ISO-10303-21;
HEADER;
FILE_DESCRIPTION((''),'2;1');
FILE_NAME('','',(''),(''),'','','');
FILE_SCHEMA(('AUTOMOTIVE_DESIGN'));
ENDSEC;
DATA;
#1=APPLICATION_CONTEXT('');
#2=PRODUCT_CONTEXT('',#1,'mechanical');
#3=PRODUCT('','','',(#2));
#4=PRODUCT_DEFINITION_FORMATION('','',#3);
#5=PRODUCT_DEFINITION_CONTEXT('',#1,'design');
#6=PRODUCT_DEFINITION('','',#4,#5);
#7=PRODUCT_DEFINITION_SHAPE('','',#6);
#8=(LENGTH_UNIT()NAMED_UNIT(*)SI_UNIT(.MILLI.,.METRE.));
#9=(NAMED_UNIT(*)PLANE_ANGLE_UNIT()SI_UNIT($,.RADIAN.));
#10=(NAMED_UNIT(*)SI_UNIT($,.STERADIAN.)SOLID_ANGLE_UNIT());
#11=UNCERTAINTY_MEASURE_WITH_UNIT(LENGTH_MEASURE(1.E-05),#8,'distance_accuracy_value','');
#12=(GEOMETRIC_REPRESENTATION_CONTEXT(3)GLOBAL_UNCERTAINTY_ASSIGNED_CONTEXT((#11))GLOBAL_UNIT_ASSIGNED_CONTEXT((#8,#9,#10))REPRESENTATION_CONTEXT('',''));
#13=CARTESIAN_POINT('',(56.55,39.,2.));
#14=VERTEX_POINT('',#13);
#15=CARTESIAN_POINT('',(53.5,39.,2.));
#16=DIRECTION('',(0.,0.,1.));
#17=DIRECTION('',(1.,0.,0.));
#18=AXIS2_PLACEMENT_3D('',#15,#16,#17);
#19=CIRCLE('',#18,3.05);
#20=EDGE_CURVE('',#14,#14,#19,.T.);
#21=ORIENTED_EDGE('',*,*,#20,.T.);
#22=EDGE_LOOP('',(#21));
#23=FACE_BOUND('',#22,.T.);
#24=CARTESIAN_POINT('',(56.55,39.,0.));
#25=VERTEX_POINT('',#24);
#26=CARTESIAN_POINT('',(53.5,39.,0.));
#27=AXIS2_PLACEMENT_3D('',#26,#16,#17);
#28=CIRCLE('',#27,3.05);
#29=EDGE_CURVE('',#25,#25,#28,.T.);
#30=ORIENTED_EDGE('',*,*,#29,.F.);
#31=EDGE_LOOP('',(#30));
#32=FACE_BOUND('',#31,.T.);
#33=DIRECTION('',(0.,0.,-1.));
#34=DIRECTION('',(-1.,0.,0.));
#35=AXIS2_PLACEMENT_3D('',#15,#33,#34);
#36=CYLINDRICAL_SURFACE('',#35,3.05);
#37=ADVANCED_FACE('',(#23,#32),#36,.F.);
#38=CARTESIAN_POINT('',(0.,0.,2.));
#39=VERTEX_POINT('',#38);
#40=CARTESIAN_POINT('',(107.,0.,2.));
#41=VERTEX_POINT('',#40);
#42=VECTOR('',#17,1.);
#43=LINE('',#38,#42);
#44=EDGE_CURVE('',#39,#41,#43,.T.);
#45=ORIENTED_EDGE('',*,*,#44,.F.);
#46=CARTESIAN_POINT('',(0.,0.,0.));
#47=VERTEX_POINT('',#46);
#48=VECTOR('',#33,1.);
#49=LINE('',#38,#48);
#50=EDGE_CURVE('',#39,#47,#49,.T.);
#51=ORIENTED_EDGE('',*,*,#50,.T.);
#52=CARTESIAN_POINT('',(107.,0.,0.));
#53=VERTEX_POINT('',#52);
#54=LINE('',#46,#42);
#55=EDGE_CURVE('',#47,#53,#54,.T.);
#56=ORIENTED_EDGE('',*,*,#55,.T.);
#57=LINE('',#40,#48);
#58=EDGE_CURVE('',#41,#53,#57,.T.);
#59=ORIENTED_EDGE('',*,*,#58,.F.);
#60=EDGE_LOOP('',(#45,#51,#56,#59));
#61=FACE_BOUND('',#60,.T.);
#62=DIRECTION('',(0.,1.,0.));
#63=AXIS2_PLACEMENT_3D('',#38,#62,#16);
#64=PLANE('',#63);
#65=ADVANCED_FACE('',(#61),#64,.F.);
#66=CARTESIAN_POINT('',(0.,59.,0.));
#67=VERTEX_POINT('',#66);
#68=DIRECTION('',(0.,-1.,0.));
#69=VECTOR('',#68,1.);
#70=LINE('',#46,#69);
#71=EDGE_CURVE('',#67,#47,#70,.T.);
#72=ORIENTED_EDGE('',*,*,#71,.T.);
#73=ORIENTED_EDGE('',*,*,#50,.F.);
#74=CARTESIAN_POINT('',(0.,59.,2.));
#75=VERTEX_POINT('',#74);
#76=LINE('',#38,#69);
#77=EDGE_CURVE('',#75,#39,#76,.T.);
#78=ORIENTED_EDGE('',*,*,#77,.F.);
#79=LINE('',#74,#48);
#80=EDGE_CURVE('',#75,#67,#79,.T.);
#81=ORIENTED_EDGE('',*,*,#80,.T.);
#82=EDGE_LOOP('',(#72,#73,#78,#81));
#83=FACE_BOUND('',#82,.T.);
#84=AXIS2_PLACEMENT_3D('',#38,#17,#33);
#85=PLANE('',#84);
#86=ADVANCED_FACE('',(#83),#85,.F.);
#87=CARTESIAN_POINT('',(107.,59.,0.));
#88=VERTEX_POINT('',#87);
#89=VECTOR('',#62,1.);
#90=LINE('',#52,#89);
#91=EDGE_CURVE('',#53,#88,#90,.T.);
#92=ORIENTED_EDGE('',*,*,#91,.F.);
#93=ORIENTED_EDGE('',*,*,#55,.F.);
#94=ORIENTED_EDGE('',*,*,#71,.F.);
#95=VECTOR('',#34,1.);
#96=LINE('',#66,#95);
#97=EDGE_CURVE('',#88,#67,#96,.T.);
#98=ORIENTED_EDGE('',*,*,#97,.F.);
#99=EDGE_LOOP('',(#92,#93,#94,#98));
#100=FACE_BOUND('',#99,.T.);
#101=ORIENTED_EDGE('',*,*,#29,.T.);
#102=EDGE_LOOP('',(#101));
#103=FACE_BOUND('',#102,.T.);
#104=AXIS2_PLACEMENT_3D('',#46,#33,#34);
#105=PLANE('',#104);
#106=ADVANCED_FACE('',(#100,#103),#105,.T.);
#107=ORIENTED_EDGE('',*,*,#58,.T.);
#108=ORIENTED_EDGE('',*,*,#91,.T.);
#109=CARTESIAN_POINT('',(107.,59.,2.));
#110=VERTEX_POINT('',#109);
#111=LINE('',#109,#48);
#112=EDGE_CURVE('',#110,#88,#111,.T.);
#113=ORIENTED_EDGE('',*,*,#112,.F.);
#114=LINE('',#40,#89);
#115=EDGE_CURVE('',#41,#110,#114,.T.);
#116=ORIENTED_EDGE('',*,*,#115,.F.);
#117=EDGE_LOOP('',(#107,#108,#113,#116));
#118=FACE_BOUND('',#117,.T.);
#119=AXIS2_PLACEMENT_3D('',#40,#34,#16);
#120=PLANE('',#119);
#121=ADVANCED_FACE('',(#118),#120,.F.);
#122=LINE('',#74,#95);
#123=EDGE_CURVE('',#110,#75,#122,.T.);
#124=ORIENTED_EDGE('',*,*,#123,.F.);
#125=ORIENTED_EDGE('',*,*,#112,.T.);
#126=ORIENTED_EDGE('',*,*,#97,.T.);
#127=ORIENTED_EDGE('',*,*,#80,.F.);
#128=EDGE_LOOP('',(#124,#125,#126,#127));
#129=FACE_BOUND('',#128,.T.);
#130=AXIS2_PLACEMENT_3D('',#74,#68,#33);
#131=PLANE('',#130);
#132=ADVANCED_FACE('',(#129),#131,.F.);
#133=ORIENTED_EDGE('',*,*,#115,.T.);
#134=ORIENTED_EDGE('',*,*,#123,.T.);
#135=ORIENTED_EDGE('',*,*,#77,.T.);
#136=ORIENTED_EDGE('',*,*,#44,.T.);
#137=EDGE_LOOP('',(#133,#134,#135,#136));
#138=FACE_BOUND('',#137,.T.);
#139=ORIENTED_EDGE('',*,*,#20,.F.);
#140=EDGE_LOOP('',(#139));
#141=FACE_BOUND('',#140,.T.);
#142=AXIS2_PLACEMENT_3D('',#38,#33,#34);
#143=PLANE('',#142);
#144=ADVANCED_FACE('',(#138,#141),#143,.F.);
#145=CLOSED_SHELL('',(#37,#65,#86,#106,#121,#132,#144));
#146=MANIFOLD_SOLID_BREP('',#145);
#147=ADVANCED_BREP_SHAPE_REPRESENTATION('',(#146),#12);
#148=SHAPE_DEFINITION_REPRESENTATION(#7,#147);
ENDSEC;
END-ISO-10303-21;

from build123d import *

# Parameters (mm, degrees)
ESBO_O1_W                = 107
ESBO_O1_H                = 59
ESBO_O1_R                = 3.05
RESSALTO_EXTRUS_O1_DEPTH = 2


with BuildPart() as part:
    # Esboço1 → Ressalto-extrusão1 (new body)
    with BuildSketch(Plane.XY):
        with Locations((53.5, 29.5)):
            Rectangle(ESBO_O1_W, ESBO_O1_H)
        with Locations((53.5, 39)):
            Circle(ESBO_O1_R, mode=Mode.SUBTRACT)
    extrude(amount=RESSALTO_EXTRUS_O1_DEPTH)


solid = part.part
